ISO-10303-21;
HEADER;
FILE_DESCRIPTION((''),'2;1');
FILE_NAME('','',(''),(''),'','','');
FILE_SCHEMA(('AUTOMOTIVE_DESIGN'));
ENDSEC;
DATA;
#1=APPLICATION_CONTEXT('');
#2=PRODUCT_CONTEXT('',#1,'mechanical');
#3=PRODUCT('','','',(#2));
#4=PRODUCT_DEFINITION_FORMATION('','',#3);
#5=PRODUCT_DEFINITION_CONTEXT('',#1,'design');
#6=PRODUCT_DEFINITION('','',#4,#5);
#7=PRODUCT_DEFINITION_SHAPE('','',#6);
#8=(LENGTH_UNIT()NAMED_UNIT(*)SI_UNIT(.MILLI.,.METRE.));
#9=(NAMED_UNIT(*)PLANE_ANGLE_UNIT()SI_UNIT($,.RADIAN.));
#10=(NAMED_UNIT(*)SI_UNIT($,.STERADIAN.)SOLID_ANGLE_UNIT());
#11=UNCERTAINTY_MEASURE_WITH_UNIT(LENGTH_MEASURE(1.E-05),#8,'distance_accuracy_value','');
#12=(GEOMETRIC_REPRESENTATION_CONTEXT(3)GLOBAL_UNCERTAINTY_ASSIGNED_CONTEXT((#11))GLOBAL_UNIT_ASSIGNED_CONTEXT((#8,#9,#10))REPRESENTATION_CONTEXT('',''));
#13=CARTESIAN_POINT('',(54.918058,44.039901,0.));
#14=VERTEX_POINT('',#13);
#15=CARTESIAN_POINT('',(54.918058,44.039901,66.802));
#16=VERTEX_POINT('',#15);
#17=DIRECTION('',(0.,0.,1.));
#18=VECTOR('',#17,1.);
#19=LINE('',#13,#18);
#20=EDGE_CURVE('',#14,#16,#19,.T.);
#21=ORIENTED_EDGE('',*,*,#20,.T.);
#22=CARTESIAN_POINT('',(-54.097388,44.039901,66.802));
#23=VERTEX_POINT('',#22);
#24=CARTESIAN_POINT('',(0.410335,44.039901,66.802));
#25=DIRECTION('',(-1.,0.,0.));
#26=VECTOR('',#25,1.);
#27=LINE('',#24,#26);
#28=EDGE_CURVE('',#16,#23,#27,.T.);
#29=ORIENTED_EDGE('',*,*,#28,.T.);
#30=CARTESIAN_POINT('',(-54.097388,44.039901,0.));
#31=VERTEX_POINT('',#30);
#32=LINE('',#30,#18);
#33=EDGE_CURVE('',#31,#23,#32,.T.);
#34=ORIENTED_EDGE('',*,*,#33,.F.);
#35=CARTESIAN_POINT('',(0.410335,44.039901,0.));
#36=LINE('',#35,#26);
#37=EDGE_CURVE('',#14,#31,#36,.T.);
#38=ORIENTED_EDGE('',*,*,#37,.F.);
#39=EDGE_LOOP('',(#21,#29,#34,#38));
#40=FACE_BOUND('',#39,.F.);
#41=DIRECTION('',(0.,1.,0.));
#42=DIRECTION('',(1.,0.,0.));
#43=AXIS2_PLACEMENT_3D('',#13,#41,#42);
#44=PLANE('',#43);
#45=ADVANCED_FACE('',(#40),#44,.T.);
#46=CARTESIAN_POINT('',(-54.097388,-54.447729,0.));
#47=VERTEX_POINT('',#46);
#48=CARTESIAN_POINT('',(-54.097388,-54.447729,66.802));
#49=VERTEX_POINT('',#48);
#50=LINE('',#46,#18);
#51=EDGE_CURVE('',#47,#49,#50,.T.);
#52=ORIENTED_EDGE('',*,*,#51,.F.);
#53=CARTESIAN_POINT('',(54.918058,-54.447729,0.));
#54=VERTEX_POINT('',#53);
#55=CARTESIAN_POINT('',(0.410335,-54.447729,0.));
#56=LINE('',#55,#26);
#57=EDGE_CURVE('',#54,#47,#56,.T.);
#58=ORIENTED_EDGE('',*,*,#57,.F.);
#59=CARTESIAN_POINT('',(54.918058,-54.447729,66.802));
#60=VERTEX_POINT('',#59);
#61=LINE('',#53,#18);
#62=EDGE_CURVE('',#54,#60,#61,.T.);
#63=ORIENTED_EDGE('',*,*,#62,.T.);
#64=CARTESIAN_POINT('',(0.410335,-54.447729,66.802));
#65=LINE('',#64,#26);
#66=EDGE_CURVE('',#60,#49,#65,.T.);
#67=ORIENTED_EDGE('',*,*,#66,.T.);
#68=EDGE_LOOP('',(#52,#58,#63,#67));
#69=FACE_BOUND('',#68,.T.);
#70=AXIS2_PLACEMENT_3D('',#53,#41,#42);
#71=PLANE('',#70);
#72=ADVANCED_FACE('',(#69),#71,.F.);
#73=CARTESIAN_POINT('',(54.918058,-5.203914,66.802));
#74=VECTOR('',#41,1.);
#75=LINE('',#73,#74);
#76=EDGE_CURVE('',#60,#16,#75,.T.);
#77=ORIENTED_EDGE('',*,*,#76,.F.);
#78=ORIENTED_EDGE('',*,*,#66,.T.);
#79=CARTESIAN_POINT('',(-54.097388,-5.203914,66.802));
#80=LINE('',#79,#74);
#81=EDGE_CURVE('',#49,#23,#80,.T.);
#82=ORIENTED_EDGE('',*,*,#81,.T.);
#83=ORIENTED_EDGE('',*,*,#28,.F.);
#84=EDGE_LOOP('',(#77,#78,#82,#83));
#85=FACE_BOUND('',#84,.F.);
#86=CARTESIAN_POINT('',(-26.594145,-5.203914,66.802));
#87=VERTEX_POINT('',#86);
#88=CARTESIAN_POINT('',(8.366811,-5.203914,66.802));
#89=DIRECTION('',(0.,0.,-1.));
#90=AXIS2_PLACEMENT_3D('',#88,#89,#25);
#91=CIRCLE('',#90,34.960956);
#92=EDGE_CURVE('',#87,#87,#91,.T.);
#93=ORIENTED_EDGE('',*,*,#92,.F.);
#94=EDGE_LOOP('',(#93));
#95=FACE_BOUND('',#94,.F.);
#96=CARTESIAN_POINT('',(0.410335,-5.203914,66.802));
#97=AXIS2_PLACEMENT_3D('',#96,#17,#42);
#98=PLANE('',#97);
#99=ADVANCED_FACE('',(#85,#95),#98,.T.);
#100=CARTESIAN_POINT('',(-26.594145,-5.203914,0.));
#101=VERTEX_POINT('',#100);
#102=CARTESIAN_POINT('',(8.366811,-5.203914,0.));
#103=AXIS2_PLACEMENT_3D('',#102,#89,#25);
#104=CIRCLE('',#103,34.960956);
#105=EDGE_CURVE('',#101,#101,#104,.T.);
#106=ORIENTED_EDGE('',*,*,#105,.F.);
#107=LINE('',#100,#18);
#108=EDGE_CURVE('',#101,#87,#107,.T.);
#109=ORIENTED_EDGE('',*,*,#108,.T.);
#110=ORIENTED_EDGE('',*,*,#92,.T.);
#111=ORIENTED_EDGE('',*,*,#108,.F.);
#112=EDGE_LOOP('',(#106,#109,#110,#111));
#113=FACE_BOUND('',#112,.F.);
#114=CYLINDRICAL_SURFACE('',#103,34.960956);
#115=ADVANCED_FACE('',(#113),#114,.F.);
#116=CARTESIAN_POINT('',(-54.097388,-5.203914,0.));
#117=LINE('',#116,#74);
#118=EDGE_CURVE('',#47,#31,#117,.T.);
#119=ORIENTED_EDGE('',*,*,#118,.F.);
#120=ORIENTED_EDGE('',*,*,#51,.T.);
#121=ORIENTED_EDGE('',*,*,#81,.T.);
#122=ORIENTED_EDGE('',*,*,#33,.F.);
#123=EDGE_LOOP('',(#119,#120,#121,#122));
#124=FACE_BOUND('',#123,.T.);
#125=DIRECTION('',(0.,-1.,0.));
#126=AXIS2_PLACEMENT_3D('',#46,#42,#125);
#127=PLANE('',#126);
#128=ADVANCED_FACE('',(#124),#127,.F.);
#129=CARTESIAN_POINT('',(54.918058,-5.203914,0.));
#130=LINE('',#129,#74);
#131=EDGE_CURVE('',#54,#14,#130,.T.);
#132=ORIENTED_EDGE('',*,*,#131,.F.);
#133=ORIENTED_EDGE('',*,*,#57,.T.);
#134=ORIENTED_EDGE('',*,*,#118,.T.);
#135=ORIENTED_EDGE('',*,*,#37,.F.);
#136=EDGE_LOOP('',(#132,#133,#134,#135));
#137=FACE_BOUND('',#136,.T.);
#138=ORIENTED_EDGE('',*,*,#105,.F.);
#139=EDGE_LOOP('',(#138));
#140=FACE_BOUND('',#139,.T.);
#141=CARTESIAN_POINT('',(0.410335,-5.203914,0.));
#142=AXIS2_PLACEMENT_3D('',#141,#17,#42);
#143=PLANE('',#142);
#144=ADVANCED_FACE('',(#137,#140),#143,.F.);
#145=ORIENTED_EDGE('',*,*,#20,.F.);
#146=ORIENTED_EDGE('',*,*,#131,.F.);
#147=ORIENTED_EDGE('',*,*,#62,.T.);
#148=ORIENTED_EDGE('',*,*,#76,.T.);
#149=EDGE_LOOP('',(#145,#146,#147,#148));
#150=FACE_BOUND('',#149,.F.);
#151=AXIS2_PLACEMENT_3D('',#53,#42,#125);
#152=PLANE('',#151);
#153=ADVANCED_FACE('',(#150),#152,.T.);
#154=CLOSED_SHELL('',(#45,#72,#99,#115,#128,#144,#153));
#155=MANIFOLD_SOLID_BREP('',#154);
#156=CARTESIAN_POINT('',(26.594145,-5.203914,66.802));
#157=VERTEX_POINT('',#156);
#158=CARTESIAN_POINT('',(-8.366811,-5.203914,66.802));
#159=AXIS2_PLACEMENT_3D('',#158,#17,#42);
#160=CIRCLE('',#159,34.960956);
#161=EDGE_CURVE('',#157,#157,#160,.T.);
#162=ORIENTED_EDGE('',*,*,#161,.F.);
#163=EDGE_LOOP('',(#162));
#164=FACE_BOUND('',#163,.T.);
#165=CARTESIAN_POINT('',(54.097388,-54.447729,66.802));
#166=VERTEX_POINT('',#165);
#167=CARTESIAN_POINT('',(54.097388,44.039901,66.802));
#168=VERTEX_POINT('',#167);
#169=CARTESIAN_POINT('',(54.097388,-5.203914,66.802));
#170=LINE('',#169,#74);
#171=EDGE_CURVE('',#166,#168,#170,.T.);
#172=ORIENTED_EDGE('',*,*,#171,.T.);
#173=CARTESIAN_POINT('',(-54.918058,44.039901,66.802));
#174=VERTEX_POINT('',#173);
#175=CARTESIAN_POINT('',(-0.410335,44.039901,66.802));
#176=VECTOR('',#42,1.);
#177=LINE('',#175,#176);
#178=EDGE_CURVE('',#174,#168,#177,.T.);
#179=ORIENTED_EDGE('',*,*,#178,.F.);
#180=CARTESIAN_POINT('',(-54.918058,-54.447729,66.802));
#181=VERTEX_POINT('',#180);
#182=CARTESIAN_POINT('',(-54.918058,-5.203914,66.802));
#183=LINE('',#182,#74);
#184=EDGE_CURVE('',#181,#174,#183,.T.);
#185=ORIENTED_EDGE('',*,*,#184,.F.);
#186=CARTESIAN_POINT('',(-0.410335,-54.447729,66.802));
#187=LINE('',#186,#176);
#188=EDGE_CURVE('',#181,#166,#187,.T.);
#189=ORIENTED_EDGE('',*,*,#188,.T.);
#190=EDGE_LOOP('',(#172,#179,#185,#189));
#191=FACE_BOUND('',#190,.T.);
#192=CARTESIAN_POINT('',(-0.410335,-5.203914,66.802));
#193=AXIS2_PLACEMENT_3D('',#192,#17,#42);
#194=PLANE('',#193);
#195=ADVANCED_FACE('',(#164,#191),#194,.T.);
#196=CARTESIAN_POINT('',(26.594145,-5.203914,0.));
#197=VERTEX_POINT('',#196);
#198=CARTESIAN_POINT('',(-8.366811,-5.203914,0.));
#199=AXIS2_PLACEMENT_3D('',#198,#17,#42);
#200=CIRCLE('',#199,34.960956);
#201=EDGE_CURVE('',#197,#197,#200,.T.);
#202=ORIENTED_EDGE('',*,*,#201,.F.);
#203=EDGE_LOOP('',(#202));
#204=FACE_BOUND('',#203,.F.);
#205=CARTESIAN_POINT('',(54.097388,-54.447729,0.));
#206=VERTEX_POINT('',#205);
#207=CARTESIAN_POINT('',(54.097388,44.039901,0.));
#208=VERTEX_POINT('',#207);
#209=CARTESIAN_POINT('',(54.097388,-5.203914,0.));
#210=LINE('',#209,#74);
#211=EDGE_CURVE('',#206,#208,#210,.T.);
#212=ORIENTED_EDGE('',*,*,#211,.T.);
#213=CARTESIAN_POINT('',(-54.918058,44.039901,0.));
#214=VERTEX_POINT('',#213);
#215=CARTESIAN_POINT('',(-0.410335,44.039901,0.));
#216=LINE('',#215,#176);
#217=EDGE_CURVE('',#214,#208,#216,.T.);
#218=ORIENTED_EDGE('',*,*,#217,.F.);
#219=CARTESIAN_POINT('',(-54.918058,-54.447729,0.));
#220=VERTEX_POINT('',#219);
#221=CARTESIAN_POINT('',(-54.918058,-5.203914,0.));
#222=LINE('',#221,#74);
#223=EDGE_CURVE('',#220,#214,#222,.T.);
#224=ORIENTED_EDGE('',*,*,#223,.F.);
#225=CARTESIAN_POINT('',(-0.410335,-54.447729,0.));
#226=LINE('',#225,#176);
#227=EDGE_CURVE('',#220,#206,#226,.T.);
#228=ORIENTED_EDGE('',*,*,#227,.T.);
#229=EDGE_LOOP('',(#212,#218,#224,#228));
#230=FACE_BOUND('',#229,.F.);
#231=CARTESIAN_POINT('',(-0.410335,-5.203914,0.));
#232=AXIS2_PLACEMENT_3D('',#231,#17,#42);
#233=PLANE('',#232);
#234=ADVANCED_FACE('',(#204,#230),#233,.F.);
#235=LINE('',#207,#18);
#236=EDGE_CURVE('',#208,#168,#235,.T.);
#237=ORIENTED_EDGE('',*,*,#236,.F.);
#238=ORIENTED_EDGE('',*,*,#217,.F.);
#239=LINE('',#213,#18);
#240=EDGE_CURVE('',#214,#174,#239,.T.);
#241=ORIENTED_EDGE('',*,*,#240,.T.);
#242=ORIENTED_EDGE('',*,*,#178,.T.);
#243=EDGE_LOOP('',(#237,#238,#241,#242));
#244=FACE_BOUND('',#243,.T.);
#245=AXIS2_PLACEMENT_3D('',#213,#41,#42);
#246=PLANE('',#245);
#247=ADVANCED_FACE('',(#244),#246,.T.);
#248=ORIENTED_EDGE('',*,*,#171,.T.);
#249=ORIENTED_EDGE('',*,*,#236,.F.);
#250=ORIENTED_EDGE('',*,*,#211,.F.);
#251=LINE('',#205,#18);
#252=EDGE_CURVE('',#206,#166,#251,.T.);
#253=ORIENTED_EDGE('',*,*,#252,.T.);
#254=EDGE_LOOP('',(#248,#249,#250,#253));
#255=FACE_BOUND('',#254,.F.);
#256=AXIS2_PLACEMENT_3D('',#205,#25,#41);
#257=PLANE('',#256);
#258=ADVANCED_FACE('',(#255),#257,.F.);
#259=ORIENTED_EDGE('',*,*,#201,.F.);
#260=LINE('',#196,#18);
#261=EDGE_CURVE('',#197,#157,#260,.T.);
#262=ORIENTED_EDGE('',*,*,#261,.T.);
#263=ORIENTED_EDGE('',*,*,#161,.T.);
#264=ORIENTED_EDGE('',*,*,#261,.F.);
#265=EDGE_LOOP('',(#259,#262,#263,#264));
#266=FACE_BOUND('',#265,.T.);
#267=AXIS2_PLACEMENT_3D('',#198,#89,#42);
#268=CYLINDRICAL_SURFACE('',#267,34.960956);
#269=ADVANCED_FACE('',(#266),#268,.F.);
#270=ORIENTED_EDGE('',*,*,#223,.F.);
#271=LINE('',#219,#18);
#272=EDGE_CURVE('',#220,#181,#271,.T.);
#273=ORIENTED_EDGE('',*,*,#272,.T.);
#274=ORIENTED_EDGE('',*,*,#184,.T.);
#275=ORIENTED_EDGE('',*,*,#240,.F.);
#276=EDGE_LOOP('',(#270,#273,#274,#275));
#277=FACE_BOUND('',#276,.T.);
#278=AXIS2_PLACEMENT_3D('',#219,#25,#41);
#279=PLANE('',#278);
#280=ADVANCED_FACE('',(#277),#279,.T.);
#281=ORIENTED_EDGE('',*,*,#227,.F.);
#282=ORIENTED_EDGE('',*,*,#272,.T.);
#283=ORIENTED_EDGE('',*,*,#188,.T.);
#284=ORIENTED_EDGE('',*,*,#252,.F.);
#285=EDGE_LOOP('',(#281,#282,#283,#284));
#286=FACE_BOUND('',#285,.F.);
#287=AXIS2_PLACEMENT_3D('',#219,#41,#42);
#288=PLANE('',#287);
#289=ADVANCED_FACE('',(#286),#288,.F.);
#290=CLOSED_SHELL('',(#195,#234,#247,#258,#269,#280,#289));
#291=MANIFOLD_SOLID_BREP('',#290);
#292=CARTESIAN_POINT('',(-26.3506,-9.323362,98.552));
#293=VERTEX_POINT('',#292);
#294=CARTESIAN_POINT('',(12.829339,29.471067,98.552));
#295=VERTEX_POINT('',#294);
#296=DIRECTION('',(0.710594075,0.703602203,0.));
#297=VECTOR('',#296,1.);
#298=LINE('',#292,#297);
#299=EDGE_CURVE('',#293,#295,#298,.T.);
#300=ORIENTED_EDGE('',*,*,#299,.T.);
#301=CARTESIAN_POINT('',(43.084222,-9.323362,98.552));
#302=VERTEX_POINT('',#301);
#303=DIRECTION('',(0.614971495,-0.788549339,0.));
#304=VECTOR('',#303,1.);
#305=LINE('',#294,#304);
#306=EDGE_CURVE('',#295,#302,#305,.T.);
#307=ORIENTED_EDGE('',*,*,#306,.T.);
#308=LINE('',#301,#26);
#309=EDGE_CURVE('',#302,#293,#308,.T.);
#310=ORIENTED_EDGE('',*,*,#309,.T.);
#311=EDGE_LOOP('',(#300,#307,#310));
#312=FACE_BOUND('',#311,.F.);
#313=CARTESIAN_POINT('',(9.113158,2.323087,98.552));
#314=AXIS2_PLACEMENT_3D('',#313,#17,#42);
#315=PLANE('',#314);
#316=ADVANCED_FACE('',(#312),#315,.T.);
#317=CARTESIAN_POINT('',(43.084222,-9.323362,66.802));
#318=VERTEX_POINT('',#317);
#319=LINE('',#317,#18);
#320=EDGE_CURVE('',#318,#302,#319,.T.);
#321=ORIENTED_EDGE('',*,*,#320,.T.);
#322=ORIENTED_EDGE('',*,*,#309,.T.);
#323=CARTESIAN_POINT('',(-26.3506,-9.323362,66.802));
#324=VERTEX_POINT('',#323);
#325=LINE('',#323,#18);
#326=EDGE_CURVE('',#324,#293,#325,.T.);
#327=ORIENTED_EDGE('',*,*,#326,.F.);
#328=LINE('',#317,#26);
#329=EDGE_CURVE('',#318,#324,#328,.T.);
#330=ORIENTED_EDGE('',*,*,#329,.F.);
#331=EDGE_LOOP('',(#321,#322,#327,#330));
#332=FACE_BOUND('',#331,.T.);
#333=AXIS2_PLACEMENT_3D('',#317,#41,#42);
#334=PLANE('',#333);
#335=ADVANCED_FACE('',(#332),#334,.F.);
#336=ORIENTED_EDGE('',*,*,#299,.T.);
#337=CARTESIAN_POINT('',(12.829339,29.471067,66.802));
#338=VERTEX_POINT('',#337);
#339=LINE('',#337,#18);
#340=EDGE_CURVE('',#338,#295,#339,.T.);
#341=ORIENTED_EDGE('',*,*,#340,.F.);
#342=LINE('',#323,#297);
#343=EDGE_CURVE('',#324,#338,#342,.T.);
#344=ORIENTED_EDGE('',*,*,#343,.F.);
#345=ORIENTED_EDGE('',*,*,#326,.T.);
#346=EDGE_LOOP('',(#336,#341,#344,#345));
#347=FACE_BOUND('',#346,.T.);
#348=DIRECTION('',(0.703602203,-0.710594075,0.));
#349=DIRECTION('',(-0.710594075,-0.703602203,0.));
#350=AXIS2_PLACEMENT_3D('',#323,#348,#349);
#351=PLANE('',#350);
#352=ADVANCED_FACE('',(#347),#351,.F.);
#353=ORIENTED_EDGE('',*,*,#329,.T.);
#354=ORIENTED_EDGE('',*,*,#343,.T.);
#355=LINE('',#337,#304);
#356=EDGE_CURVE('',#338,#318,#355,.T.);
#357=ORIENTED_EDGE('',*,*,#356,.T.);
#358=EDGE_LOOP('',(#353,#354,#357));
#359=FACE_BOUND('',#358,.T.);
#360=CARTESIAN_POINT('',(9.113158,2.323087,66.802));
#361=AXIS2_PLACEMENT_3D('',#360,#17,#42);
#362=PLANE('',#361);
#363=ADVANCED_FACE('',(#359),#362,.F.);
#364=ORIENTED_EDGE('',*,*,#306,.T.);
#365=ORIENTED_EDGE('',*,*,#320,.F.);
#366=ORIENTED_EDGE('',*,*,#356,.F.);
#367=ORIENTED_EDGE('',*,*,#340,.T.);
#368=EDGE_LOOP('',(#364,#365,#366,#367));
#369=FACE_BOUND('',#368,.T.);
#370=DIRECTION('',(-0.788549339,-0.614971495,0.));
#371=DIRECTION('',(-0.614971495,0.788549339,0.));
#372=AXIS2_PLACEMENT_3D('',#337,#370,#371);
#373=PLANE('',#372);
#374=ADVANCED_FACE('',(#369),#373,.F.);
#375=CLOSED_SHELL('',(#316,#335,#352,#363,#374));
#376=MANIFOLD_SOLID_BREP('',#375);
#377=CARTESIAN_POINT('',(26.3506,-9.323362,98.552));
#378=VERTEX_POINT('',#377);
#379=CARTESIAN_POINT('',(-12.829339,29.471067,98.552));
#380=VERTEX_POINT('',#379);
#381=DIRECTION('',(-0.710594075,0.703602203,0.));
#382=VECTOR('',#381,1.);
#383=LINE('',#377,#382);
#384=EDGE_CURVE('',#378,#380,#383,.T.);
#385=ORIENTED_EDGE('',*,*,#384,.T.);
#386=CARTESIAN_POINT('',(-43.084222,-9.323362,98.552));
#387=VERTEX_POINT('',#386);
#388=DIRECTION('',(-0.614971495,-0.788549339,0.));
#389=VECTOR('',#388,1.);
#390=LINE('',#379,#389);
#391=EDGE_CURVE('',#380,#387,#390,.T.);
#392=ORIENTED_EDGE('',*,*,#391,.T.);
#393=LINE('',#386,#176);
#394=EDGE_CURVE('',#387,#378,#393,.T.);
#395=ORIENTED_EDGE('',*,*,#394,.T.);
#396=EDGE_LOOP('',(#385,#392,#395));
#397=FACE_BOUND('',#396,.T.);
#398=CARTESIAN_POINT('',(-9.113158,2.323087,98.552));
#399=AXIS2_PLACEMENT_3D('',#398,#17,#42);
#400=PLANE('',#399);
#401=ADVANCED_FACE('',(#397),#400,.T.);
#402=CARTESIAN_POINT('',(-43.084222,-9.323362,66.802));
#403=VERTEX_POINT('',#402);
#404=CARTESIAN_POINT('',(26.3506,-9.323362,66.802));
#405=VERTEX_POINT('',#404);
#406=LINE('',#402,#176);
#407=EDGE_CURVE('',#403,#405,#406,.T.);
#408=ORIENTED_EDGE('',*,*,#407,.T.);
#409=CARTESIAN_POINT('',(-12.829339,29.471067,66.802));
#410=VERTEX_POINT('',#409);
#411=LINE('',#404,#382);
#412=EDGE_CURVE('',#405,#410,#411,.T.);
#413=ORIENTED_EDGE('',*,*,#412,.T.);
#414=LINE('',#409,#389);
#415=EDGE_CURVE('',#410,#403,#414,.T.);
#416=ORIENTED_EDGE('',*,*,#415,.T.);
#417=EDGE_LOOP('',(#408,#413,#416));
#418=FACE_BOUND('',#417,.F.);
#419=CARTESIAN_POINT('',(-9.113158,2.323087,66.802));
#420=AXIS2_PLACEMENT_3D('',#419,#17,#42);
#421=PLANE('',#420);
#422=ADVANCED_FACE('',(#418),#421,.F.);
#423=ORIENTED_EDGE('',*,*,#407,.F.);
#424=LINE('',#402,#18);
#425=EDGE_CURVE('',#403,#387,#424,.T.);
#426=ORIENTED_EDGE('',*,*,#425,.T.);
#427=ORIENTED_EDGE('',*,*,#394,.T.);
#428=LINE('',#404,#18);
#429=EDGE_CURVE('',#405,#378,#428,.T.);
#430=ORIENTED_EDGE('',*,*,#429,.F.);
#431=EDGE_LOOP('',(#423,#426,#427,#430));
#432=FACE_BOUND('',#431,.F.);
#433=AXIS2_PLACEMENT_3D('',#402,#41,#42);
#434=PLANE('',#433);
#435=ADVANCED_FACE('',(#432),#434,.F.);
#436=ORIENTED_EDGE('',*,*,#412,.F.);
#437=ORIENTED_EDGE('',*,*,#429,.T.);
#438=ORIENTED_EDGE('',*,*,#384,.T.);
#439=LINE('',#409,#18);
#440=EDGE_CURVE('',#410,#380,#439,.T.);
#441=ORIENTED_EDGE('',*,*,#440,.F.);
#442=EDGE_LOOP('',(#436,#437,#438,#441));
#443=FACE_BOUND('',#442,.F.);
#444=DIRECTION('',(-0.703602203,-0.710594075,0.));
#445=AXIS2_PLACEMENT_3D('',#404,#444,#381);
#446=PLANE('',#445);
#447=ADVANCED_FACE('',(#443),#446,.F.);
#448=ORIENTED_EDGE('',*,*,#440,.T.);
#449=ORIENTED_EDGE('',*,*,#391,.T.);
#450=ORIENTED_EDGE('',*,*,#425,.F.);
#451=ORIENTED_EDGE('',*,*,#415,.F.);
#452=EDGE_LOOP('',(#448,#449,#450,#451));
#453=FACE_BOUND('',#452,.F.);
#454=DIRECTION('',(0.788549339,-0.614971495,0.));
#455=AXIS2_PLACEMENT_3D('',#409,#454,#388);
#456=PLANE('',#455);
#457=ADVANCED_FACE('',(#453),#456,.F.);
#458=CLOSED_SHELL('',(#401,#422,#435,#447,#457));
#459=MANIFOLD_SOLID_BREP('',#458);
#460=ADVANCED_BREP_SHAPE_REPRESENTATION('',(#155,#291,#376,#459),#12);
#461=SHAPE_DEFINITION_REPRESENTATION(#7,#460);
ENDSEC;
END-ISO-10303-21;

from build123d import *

# Parameters (mm, degrees)
F0_W     = 109.015446
F0_H     = 98.48763
F0_R     = 34.960956
F1_DEPTH = 66.802
F3_DEPTH = 31.75


with BuildPart() as f1:
    # F0 (on Top) → F1 (new body)
    with BuildSketch(Plane.XY):
        with Locations((-0.410335, -5.203914)):
            Rectangle(F0_W, F0_H)
        with Locations((-8.366811, -5.203914)):
            Circle(F0_R, mode=Mode.SUBTRACT)
    extrude(amount=F1_DEPTH)


with BuildPart() as f3:
    # F2 (on face) → F3 (new body)
    with BuildSketch(Plane.XY.offset(66.802)):
        Polygon((-12.829339, 29.471067), (-43.084222, -9.323362), (26.3506, -9.323362), align=None)
    extrude(amount=F3_DEPTH)


with BuildPart() as f4_1:
    # F4: instance of F3
    add(f3.part.mirror(Plane.YZ))


with BuildPart() as f4_2:
    # F4: instance of F1
    add(f1.part.mirror(Plane.YZ))


solid = Compound([f1.part, f3.part, f4_1.part, f4_2.part])
